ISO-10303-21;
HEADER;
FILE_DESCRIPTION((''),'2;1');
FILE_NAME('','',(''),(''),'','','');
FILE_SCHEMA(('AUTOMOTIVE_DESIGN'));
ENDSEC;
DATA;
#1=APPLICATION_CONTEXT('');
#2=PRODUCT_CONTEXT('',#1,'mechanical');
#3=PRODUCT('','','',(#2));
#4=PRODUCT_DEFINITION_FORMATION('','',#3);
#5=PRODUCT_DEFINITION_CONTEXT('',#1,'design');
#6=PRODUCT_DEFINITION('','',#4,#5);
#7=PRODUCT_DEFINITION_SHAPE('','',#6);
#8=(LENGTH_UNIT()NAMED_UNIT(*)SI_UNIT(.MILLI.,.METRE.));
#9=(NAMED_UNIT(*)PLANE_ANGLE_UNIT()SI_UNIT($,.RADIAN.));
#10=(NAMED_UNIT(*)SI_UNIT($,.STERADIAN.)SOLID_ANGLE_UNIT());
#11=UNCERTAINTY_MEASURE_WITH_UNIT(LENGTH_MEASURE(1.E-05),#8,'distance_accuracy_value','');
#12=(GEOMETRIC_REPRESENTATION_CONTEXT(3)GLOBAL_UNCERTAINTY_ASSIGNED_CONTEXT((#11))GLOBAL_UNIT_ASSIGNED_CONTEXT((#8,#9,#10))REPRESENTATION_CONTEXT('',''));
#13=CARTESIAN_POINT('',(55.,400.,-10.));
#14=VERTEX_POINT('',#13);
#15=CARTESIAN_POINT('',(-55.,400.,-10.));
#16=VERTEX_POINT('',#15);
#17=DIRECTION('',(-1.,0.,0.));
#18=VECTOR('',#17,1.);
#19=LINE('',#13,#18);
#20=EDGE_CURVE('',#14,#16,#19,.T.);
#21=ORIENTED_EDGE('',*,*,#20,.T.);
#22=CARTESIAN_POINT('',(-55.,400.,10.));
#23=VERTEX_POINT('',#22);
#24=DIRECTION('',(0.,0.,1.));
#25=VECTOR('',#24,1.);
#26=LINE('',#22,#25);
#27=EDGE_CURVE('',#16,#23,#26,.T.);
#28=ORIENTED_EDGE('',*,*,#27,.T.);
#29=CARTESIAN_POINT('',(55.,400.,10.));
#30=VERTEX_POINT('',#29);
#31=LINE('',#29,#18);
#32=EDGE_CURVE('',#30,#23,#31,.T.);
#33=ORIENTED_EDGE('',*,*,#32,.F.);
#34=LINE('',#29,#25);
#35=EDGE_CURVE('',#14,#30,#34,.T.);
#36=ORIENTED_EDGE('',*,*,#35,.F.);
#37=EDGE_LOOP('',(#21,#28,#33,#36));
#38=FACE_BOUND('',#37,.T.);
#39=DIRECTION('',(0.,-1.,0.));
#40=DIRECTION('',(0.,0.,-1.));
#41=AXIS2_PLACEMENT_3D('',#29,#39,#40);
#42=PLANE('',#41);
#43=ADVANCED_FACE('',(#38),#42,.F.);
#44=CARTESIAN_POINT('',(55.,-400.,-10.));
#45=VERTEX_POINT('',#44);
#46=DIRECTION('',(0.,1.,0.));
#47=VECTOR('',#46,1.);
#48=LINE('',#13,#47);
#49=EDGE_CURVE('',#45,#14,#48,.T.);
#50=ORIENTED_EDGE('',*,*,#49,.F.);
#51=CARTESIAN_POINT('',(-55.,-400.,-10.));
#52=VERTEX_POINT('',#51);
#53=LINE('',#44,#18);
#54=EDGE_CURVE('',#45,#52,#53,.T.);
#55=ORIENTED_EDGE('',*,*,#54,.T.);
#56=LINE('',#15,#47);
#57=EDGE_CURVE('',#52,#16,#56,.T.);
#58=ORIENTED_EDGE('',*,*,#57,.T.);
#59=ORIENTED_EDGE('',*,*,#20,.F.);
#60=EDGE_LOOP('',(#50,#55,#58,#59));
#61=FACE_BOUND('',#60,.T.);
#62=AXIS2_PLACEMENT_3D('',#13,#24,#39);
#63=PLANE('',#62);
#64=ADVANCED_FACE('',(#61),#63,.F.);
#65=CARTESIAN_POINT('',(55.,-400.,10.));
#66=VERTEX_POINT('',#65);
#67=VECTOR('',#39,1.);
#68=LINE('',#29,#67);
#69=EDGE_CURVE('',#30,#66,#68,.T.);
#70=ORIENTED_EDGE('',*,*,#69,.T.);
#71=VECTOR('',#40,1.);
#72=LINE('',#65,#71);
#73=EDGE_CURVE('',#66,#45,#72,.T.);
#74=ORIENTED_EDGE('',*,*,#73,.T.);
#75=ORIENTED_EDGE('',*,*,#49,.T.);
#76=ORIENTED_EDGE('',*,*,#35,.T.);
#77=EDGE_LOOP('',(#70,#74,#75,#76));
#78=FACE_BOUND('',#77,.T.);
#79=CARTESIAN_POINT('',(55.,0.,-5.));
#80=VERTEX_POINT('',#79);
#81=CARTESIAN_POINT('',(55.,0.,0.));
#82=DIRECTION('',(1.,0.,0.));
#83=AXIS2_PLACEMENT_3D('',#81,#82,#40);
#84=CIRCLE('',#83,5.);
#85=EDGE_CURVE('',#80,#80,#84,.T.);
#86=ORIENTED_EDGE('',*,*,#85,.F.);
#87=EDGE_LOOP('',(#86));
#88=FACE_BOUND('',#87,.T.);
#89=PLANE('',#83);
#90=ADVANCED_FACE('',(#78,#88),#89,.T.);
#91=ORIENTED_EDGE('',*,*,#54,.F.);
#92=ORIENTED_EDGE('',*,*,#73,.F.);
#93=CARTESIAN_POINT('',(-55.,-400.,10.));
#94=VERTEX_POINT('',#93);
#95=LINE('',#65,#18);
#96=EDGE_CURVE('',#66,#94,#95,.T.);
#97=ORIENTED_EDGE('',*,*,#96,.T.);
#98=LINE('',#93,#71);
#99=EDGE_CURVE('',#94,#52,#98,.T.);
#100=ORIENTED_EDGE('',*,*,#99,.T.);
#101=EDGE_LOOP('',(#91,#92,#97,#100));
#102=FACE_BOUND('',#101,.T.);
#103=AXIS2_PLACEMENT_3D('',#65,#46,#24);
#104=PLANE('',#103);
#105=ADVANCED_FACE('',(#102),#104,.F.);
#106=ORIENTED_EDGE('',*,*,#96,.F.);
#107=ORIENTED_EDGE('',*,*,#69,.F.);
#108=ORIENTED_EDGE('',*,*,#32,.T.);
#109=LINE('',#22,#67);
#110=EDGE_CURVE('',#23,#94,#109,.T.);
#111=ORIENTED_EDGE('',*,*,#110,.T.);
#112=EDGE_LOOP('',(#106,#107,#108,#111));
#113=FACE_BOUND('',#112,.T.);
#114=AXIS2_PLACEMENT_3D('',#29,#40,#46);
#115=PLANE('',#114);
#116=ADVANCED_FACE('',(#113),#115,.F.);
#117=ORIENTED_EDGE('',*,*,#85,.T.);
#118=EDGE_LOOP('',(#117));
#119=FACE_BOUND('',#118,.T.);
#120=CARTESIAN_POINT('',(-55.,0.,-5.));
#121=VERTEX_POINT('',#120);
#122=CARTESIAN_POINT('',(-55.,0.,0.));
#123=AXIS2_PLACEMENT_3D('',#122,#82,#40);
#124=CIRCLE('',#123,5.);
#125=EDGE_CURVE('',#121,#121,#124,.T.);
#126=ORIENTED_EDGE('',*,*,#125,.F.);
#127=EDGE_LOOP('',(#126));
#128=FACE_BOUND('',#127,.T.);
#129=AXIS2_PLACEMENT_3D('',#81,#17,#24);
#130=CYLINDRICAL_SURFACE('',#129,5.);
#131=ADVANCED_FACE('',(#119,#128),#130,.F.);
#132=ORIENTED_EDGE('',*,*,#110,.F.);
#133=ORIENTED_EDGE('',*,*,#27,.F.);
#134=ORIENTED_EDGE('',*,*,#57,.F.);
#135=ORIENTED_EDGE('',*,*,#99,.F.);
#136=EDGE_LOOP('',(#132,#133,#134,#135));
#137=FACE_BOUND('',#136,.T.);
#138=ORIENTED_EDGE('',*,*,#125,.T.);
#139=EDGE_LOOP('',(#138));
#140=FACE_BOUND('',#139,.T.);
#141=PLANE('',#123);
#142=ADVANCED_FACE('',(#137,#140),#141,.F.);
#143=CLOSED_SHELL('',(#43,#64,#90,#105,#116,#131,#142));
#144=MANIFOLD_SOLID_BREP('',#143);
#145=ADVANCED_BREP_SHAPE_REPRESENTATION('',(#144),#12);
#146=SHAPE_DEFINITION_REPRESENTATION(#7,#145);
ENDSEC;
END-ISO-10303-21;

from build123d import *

# Parameters (mm, degrees)
SKETCH1_W           = 20
SKETCH1_H           = 800
SKETCH1_R           = 5
BOSS_EXTRUDE1_DEPTH = 55


with BuildPart() as part:
    # Sketch1 → Boss-Extrude1 (new, symmetric)
    with BuildSketch(Plane(origin=(0, 0, 0), x_dir=(0, 0, -1), z_dir=(1, 0, 0))):
        Rectangle(SKETCH1_W, SKETCH1_H)
        Circle(SKETCH1_R, mode=Mode.SUBTRACT)
    extrude(amount=BOSS_EXTRUDE1_DEPTH, both=True)


solid = part.part
